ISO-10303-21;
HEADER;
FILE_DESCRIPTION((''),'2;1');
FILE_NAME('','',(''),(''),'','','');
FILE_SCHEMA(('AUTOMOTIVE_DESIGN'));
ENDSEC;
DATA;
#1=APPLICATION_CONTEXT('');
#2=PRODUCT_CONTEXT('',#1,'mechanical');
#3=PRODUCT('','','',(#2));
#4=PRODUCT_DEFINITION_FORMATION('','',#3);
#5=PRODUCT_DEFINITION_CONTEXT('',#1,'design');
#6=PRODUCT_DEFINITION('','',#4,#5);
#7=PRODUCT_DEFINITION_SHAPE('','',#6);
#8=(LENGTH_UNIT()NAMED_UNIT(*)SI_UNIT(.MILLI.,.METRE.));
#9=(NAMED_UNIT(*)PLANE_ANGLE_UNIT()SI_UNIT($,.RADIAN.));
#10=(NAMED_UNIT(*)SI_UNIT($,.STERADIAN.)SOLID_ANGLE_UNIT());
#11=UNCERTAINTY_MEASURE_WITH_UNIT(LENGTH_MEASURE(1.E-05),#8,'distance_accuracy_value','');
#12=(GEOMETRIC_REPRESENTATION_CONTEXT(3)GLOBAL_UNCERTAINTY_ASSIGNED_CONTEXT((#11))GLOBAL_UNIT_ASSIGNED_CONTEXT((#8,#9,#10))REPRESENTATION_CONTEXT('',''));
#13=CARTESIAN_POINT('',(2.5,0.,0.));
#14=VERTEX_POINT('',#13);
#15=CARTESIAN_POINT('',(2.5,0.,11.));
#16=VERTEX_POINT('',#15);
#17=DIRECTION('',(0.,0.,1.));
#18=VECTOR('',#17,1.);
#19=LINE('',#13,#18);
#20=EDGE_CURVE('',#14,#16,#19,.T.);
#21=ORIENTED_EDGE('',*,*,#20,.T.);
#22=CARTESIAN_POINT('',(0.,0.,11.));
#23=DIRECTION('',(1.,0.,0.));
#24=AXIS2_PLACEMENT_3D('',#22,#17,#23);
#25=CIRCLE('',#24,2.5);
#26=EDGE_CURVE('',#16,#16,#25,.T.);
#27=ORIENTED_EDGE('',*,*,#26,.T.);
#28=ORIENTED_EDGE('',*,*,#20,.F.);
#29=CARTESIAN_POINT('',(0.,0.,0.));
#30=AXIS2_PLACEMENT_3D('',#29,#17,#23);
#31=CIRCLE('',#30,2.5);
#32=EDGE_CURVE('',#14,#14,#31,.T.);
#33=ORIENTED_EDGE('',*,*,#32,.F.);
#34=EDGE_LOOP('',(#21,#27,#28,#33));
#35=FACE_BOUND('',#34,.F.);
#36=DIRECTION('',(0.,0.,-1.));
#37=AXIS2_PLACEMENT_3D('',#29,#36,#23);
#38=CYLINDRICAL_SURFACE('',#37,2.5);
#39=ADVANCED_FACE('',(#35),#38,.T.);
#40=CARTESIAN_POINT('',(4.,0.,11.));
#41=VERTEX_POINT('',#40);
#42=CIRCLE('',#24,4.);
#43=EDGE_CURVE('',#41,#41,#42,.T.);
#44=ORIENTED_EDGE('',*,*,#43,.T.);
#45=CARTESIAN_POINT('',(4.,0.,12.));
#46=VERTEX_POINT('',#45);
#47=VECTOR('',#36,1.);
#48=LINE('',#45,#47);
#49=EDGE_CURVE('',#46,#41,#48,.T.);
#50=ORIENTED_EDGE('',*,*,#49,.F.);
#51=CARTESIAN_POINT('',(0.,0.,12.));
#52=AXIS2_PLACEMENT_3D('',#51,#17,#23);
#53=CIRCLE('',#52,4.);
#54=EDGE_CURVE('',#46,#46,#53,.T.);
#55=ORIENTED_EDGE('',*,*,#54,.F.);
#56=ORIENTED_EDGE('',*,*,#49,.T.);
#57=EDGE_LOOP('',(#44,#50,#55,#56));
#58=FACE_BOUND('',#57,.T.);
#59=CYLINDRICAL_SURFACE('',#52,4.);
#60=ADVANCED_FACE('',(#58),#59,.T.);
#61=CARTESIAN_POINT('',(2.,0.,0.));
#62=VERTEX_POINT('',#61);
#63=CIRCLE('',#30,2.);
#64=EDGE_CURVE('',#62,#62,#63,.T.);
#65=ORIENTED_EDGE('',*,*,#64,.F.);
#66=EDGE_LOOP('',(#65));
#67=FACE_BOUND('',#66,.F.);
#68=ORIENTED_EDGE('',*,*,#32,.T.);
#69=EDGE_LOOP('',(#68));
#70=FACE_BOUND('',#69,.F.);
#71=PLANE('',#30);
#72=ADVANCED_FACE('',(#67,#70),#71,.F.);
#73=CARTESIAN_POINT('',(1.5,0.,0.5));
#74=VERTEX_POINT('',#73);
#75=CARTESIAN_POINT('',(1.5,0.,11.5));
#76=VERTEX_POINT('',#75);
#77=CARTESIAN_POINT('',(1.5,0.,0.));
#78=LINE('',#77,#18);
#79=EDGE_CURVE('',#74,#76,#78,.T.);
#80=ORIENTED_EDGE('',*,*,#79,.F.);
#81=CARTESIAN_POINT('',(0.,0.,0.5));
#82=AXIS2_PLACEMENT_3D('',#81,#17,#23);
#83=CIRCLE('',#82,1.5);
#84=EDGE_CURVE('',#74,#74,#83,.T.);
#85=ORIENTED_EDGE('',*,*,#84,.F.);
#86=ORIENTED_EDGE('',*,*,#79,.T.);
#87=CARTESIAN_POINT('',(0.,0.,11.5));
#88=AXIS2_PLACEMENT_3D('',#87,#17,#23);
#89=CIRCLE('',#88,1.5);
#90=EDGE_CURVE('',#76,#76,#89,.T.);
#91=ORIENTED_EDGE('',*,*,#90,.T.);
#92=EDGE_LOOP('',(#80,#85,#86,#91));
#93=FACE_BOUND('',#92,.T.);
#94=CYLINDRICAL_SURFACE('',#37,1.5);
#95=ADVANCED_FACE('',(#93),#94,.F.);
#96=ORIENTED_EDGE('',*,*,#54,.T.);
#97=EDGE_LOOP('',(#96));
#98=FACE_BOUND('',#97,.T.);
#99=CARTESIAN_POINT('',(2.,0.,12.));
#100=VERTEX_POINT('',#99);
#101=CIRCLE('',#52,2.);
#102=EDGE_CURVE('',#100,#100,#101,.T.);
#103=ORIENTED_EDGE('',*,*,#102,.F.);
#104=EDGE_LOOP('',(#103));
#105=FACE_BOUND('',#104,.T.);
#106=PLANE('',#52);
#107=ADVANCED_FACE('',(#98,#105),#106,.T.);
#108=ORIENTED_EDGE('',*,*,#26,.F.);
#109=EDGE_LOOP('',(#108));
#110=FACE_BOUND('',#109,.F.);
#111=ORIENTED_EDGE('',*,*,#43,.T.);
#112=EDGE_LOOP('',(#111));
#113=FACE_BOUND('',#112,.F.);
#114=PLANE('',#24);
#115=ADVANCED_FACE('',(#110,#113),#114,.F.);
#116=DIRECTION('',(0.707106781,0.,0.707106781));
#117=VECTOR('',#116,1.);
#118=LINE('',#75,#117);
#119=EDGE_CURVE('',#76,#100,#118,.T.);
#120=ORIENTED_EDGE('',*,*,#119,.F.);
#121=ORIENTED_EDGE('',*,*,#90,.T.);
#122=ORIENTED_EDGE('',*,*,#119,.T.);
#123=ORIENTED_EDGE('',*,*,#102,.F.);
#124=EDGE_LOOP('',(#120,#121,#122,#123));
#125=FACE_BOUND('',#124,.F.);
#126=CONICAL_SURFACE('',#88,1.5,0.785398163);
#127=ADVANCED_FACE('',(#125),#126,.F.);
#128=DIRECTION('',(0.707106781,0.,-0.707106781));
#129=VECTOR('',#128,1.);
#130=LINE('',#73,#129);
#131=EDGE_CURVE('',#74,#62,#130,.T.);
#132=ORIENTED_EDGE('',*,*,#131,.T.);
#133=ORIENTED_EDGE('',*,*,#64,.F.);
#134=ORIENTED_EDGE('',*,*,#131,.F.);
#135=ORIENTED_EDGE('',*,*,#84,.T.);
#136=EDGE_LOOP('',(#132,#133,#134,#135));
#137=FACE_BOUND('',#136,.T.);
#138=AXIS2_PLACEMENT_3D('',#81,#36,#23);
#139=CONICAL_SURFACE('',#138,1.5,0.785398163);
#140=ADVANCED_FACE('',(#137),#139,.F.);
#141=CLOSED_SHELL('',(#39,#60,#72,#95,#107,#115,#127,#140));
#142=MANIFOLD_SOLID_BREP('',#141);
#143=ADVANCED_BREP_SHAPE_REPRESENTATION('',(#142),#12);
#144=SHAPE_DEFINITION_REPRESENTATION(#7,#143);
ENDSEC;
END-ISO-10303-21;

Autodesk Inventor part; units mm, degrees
ref_plane "YZ Plane" through (0, 0, 0) normal (1, 0, 0) x (0, 1, 0)
ref_plane "XZ Plane" through (0, 0, 0) normal (0, 1, 0) x (-1, 0, 0)
ref_plane "XY Plane" through (0, 0, 0) normal (0, 0, 1) x (1, 0, 0)
sketch "Skizze1" plane through (0, 0, 0) normal (0, 0, 1) x (1, 0, 0)
  circle A0 centre (0, 0) radius 2.5
  circle A1 centre (0, 0) radius 1.5
  dimension "d0" = 1
  dimension "d1" = 5
extrude "Extrusion1" add sketch "Skizze1" along normal blind 12
chamfer "Fase1" distance 0.5 angle 45 2 edges at (-1.5, 0, 12) (-1.5, 0, 0)
sketch "Skizze2" plane through (0, 0, 12) normal (0, 0, 1) x (1, 0, 0)
  circle A0 centre (0, 0) radius 2.5 projected
  circle A1 centre (0, 0) radius 2 projected
  circle A2 centre (0, 0) radius 4
  dimension "d7" = 8
extrude "Extrusion2" add sketch "Skizze2" against normal blind 1 contours A2
properties part number "13_0204_048"
